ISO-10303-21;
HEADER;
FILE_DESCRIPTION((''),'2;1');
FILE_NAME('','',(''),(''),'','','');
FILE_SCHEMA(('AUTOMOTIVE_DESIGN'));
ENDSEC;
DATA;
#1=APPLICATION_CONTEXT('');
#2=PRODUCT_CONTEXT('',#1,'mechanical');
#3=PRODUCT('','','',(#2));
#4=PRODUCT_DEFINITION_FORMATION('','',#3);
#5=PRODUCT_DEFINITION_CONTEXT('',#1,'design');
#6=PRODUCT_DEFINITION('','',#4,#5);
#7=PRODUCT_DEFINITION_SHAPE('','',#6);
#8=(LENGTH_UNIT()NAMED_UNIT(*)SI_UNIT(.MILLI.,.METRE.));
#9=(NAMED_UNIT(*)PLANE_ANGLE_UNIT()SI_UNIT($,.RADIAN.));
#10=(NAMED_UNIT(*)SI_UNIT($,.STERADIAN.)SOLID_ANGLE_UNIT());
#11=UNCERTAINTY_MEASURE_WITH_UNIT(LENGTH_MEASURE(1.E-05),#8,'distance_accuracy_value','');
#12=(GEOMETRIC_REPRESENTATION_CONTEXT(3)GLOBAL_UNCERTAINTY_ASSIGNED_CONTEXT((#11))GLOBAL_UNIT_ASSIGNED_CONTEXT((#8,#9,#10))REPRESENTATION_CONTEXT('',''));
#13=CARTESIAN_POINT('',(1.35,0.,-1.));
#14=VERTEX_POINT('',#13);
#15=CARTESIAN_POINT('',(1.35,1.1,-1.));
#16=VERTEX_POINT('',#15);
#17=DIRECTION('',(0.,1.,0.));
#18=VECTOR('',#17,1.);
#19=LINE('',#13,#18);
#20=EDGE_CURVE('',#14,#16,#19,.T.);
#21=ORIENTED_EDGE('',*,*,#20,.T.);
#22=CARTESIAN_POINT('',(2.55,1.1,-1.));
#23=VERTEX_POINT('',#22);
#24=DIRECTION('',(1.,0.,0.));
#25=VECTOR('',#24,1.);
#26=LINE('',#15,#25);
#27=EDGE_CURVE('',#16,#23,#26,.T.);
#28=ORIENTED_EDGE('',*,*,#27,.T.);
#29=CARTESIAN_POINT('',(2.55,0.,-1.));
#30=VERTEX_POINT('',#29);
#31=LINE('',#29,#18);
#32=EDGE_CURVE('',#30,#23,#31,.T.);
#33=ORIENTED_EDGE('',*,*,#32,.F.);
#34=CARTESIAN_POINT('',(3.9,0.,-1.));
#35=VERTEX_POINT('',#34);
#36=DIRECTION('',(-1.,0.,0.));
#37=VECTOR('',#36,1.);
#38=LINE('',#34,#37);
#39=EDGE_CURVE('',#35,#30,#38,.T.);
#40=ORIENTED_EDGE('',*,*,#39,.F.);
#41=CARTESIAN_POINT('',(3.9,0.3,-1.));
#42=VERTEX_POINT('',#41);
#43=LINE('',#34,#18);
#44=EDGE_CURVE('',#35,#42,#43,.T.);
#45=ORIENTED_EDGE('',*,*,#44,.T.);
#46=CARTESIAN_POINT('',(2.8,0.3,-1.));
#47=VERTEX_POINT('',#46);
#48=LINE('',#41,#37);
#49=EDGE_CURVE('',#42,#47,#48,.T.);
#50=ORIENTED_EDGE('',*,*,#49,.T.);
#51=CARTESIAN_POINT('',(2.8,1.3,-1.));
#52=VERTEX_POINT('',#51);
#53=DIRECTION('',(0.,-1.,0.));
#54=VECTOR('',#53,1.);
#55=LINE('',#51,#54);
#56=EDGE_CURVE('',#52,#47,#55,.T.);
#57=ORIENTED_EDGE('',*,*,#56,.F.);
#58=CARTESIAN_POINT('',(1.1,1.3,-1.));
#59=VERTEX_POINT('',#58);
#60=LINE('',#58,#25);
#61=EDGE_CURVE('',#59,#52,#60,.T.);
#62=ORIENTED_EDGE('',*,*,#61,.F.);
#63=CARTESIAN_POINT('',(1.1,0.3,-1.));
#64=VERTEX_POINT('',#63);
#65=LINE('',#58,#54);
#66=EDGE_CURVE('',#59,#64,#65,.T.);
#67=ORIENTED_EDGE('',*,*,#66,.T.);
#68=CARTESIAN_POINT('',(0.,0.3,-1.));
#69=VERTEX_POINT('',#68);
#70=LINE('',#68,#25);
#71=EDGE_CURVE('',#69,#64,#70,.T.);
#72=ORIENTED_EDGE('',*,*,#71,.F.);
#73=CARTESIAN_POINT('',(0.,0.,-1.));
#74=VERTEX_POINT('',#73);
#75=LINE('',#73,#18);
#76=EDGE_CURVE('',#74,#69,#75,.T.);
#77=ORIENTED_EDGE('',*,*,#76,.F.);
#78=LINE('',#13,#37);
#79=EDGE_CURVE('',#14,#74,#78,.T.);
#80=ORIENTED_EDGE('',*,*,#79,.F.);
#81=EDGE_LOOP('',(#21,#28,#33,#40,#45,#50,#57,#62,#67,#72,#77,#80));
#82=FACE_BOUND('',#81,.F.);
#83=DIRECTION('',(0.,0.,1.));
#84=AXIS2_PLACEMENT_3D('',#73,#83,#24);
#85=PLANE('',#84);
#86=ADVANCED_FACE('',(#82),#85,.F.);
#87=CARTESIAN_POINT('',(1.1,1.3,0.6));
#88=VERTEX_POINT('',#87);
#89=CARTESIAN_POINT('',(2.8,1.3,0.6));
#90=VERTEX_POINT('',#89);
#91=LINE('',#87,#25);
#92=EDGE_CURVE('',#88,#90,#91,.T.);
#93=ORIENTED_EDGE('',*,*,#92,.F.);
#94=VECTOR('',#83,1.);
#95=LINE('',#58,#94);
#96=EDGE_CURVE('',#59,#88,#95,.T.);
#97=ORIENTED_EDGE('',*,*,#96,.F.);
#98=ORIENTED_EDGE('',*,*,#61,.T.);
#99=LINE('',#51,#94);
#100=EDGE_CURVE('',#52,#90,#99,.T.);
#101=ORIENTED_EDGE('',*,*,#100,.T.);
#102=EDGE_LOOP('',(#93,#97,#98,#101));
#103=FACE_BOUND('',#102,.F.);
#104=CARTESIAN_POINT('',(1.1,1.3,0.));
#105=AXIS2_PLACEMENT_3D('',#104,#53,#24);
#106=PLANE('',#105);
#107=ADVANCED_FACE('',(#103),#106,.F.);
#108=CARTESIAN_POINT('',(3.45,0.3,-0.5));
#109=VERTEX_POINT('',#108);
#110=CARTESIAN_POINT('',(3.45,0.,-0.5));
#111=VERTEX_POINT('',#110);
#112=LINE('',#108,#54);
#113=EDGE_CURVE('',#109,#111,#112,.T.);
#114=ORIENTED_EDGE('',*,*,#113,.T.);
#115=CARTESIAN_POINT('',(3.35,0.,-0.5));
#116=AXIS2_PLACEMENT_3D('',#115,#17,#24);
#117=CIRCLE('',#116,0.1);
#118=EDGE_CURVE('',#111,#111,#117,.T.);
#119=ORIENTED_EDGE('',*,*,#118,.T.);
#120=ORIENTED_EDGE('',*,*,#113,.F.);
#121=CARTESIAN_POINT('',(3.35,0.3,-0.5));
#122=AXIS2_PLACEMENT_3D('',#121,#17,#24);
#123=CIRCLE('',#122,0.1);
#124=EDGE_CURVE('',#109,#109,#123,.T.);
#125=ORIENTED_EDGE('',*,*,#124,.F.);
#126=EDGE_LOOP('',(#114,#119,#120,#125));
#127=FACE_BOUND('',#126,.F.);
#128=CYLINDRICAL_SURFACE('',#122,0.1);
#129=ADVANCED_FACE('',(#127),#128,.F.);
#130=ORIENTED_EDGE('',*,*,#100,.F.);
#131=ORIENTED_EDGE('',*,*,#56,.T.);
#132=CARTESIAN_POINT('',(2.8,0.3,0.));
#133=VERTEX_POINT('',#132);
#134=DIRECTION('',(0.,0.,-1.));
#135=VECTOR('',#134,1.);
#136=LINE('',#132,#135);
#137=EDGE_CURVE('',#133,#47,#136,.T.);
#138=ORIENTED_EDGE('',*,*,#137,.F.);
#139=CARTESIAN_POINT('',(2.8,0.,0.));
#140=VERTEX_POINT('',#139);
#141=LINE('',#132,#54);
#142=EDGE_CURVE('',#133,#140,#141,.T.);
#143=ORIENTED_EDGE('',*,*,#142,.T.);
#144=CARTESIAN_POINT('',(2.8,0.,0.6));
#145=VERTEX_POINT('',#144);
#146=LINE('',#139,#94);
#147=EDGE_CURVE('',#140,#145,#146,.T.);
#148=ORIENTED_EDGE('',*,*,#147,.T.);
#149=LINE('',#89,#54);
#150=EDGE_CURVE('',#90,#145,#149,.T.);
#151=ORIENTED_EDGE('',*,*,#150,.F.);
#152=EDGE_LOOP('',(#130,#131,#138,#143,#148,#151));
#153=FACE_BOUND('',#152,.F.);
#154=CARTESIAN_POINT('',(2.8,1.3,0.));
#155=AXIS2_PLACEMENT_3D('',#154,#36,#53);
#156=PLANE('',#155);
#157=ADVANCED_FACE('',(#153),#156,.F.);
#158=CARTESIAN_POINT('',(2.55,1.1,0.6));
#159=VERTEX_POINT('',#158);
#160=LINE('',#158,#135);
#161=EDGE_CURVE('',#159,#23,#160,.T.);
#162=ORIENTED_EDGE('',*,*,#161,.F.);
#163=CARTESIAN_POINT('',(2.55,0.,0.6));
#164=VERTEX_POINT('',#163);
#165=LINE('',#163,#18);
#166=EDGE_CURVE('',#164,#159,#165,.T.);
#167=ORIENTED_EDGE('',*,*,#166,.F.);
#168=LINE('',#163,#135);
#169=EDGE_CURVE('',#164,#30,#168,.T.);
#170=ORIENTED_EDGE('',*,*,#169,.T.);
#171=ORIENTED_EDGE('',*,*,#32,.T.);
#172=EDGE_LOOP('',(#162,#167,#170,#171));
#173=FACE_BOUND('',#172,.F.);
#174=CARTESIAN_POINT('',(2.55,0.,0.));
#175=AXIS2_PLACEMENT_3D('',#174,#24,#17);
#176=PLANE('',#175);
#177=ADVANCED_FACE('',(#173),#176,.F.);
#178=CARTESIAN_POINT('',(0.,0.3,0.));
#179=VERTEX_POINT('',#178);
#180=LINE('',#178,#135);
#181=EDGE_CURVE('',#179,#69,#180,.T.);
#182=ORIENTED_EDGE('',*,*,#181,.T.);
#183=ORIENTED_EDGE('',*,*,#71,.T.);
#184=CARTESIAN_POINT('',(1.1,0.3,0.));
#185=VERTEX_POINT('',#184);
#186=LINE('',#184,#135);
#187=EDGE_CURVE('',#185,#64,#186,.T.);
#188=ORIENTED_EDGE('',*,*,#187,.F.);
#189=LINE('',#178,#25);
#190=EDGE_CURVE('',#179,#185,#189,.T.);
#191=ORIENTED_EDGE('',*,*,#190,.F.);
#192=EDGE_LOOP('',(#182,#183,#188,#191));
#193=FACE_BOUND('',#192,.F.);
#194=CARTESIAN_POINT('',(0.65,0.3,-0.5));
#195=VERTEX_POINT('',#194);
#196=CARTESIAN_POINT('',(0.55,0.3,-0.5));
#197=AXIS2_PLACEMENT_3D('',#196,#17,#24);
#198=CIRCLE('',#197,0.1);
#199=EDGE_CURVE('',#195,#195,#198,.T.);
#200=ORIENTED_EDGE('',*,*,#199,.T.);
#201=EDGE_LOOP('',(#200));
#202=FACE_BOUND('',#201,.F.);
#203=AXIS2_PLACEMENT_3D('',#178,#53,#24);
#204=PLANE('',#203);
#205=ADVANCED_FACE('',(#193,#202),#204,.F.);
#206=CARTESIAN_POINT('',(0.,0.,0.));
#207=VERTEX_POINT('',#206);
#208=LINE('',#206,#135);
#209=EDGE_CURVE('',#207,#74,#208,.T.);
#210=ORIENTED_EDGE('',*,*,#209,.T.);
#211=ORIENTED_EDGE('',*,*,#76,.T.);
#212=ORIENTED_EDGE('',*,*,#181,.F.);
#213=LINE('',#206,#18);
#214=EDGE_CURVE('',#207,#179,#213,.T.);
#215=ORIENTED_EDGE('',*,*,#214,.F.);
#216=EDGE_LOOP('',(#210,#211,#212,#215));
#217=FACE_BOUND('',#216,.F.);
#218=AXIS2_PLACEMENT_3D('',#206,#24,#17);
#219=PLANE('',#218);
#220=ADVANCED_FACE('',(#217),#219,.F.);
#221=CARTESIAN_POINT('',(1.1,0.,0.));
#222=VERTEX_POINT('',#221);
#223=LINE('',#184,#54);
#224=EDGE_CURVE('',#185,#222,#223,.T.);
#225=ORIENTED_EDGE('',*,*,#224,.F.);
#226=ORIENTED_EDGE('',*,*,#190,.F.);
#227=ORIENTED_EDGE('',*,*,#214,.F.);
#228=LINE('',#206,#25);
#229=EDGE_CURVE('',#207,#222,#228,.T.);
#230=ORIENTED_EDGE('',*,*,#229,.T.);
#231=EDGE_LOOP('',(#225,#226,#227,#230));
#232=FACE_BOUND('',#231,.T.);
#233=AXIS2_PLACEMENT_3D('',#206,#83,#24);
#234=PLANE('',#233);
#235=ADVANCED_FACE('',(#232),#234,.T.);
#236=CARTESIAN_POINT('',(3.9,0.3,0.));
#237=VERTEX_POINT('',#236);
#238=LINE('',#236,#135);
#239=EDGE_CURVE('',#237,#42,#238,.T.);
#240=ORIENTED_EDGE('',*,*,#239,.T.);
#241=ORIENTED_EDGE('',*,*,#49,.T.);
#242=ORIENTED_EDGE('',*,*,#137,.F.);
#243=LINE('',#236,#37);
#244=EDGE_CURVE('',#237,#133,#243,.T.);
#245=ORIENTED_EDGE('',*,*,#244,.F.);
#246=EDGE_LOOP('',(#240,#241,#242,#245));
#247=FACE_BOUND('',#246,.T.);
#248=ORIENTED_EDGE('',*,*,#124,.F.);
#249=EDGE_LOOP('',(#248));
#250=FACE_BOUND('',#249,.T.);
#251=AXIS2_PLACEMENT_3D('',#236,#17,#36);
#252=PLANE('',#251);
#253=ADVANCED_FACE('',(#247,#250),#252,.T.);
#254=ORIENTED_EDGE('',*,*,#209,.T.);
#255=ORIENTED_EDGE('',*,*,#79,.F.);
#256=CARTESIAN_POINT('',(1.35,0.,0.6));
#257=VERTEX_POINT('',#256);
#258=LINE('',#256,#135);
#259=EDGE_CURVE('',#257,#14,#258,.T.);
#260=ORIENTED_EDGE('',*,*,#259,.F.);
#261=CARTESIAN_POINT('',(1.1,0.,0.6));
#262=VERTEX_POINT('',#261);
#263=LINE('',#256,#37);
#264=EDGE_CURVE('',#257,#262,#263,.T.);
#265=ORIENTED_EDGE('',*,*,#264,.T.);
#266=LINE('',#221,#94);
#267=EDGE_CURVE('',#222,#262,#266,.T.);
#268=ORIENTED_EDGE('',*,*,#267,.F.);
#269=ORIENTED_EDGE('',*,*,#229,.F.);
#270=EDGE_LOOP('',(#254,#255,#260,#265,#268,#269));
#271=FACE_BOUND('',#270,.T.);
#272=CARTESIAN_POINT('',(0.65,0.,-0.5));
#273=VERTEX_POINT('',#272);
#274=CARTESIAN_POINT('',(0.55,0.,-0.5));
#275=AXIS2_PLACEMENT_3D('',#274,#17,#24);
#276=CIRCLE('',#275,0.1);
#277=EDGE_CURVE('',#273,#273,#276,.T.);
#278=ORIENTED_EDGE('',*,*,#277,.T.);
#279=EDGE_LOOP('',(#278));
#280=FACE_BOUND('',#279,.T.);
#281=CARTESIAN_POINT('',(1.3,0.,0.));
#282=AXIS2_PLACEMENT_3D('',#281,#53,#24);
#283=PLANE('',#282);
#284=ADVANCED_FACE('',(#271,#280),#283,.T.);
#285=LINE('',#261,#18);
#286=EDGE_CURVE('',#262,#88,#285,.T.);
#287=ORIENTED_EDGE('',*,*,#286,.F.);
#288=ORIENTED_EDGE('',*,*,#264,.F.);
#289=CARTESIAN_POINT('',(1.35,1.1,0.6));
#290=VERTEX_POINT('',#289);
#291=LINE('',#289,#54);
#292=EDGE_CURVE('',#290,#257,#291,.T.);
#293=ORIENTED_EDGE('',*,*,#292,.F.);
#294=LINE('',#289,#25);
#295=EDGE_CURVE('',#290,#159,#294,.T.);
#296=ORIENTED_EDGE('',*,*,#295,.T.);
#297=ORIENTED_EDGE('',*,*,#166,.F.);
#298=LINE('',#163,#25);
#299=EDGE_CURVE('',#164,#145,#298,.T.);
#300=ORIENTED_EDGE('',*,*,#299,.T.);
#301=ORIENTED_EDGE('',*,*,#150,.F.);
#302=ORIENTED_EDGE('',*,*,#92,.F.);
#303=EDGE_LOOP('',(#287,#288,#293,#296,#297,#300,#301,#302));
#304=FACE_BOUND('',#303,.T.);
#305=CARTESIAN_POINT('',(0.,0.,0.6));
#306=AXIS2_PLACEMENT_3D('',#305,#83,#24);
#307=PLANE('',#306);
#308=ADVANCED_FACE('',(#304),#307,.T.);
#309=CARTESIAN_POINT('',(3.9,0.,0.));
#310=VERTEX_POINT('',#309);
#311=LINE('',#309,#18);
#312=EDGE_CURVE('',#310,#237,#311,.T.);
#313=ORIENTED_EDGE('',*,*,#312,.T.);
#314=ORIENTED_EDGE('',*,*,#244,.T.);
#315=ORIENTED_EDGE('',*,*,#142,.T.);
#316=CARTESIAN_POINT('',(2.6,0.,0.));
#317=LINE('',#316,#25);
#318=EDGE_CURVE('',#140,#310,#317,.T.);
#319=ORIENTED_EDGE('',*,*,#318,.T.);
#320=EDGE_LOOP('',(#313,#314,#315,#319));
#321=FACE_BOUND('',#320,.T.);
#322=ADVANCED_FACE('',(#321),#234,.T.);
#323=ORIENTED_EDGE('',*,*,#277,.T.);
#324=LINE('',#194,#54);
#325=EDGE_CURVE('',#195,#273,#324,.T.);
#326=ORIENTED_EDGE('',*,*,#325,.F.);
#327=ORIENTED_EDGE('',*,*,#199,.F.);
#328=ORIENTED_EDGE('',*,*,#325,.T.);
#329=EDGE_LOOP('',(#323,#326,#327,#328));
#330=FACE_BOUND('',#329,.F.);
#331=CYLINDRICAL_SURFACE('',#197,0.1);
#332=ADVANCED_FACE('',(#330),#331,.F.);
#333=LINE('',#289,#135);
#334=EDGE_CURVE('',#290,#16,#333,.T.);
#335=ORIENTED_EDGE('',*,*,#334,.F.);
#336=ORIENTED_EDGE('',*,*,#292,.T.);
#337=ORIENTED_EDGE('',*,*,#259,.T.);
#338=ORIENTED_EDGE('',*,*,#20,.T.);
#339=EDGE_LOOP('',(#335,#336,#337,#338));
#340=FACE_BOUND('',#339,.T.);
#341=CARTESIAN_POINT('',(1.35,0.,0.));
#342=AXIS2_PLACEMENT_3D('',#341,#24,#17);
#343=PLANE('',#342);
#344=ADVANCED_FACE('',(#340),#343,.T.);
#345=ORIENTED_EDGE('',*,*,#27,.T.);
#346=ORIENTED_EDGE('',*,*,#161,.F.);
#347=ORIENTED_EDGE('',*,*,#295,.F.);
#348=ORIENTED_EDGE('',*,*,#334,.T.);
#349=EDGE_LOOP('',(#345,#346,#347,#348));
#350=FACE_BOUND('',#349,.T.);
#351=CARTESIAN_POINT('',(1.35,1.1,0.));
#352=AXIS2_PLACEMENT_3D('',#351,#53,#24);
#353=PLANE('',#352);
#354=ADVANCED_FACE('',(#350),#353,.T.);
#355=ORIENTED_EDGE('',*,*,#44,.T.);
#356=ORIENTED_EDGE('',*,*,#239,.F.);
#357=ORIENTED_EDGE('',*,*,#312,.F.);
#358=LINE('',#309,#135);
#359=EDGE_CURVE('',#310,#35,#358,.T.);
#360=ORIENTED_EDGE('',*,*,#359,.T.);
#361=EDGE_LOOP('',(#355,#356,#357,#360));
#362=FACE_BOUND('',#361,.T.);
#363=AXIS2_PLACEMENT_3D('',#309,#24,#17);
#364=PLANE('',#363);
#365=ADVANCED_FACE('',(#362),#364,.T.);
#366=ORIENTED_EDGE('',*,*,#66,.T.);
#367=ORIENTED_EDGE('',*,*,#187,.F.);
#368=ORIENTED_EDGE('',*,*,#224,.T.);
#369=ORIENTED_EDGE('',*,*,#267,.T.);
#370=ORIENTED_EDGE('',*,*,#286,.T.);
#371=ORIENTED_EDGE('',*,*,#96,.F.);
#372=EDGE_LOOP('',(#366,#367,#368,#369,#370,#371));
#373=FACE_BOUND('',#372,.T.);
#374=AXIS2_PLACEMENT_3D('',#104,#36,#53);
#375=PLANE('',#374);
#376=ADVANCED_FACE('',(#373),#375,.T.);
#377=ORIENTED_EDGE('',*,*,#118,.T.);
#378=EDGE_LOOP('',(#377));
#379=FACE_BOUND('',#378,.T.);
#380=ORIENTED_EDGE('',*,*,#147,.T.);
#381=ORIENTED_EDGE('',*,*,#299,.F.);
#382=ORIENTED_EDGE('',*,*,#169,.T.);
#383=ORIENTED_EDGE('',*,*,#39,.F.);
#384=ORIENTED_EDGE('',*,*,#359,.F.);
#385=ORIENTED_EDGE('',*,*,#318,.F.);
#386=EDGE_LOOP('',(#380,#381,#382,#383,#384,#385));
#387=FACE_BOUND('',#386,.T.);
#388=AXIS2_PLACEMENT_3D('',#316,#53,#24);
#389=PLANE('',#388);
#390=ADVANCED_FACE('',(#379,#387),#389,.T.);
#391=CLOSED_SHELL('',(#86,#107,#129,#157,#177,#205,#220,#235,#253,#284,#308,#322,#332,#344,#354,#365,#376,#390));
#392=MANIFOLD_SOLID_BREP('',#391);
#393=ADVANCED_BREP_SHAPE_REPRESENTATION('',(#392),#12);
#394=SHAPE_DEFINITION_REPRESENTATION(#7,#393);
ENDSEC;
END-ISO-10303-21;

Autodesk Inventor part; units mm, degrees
ref_plane "YZ Plane" through (0, 0, 0) normal (1, 0, 0) x (0, 1, 0)
ref_plane "XZ Plane" through (0, 0, 0) normal (0, 1, 0) x (-1, 0, 0)
ref_plane "XY Plane" through (0, 0, 0) normal (0, 0, 1) x (1, 0, 0)
sketch "Boceto1" plane through (0, 0, 0) normal (0, 0, 1) x (1, 0, 0)
  line L0 (2.8, 1.3) -> (2.8, 0.3)
  line L1 (2.6, 0) -> (3.9, 0)
  line L2 (3.9, 0) -> (3.9, 0.3)
  line L3 (3.9, 0.3) -> (2.8, 0.3)
  line L4 (0, 0) -> (0, 0.3)
  line L5 (0, 0.3) -> (1.1, 0.3)
  line L6 (0, 0) -> (1.3, 0)
  line L7 (1.1, 1.3) -> (1.1, 0.3)
  line L8 (1.1, 1.3) -> (2.8, 1.3)
  line L9 (1.35, 1.1) -> (2.55, 1.1)
  line L10 (1.3, 0) -> (1.35, 0)
  line L11 (2.6, 0) -> (2.55, 0)
  line L12 (2.55, 0) -> (2.55, 1.1)
  line L13 (1.35, 0) -> (1.35, 1.1)
  dimension "d0" = 1
  dimension "d10" = 0.05
  dimension "d11" = 0.05
extrude "Extrusión1" add sketch "Boceto1" against normal blind 1
sketch "Boceto2" plane through (0, 0, 0) normal (0, 0, 1) x (1, 0, 0)
  line L0 (1.1, 0.3) -> (1.1, 1.3)
  line L1 (1.1, 1.3) -> (2.8, 1.3) projected
  line L2 (1.1, 1.3) -> (2.8, 1.3)
  line L3 (2.8, 1.3) -> (2.8, 0.3) projected
  line L4 (2.8, 1.3) -> (2.8, 0.3)
  line L5 (2.55, 0) -> (2.55, 1.1) projected
  line L6 (1.35, 1.1) -> (2.55, 1.1)
  line L7 (2.55, 1.1) -> (2.55, 0)
  line L8 (2.55, 0) -> (2.8, 0)
  line L9 (1.35, 1.1) -> (1.35, 0)
  line L10 (1.35, 0) -> (1.1, 0)
  line L11 (1.1, 0.3) -> (1.1, 1.3) projected
  line L12 (1.1, 0.3) -> (1.1, 0)
  line L13 (2.8, 0.3) -> (2.8, 0)
extrude "Extrusión2" add sketch "Boceto2" along normal blind 0.6
sketch "Boceto3" plane through (2.8, 0.3, 0) normal (0, 1, 0) x (1, 0, 0)
  line L0 (-1.7, 0) -> (-1.7, 1.9)
  line L1 (-1.7, 1.9) -> (0, 1.9)
  line L2 (0, 1.9) -> (0, 0)
  line L3 (0, 0) -> (-1.7, 0)
  line L4 (-1.7, 0) -> (-2.8, 0)
  line L5 (-2.8, 0) -> (-2.8, 1)
  line L6 (-2.8, 1) -> (-1.7, 1)
  line L7 (0, 0) -> (1.1, 0)
  line L8 (1.1, 0) -> (1.1, 1)
  line L9 (1.1, 1) -> (0, 1)
  circle A0 centre (-2.25, 0.5) radius 0.1
  circle A1 centre (0.55, 0.5) radius 0.1
  line L10 (1.1, 0) -> (0, 0) projected
  line L11 (1.1, 0) -> (1.1, 1) projected
  line L12 (0, 1) -> (1.1, 1) projected
  line L13 (0, 0) -> (0, 1) projected
  point P0 (-2.8, 0)
  dimension "d0" = 1
  dimension "d7" = 0.2
  dimension "d8" = 0.2
extrude "Extrusión3" cut sketch "Boceto3" against normal blind 0.9 contours A0 | A1
properties part number "learnbotEncajeMotor"
